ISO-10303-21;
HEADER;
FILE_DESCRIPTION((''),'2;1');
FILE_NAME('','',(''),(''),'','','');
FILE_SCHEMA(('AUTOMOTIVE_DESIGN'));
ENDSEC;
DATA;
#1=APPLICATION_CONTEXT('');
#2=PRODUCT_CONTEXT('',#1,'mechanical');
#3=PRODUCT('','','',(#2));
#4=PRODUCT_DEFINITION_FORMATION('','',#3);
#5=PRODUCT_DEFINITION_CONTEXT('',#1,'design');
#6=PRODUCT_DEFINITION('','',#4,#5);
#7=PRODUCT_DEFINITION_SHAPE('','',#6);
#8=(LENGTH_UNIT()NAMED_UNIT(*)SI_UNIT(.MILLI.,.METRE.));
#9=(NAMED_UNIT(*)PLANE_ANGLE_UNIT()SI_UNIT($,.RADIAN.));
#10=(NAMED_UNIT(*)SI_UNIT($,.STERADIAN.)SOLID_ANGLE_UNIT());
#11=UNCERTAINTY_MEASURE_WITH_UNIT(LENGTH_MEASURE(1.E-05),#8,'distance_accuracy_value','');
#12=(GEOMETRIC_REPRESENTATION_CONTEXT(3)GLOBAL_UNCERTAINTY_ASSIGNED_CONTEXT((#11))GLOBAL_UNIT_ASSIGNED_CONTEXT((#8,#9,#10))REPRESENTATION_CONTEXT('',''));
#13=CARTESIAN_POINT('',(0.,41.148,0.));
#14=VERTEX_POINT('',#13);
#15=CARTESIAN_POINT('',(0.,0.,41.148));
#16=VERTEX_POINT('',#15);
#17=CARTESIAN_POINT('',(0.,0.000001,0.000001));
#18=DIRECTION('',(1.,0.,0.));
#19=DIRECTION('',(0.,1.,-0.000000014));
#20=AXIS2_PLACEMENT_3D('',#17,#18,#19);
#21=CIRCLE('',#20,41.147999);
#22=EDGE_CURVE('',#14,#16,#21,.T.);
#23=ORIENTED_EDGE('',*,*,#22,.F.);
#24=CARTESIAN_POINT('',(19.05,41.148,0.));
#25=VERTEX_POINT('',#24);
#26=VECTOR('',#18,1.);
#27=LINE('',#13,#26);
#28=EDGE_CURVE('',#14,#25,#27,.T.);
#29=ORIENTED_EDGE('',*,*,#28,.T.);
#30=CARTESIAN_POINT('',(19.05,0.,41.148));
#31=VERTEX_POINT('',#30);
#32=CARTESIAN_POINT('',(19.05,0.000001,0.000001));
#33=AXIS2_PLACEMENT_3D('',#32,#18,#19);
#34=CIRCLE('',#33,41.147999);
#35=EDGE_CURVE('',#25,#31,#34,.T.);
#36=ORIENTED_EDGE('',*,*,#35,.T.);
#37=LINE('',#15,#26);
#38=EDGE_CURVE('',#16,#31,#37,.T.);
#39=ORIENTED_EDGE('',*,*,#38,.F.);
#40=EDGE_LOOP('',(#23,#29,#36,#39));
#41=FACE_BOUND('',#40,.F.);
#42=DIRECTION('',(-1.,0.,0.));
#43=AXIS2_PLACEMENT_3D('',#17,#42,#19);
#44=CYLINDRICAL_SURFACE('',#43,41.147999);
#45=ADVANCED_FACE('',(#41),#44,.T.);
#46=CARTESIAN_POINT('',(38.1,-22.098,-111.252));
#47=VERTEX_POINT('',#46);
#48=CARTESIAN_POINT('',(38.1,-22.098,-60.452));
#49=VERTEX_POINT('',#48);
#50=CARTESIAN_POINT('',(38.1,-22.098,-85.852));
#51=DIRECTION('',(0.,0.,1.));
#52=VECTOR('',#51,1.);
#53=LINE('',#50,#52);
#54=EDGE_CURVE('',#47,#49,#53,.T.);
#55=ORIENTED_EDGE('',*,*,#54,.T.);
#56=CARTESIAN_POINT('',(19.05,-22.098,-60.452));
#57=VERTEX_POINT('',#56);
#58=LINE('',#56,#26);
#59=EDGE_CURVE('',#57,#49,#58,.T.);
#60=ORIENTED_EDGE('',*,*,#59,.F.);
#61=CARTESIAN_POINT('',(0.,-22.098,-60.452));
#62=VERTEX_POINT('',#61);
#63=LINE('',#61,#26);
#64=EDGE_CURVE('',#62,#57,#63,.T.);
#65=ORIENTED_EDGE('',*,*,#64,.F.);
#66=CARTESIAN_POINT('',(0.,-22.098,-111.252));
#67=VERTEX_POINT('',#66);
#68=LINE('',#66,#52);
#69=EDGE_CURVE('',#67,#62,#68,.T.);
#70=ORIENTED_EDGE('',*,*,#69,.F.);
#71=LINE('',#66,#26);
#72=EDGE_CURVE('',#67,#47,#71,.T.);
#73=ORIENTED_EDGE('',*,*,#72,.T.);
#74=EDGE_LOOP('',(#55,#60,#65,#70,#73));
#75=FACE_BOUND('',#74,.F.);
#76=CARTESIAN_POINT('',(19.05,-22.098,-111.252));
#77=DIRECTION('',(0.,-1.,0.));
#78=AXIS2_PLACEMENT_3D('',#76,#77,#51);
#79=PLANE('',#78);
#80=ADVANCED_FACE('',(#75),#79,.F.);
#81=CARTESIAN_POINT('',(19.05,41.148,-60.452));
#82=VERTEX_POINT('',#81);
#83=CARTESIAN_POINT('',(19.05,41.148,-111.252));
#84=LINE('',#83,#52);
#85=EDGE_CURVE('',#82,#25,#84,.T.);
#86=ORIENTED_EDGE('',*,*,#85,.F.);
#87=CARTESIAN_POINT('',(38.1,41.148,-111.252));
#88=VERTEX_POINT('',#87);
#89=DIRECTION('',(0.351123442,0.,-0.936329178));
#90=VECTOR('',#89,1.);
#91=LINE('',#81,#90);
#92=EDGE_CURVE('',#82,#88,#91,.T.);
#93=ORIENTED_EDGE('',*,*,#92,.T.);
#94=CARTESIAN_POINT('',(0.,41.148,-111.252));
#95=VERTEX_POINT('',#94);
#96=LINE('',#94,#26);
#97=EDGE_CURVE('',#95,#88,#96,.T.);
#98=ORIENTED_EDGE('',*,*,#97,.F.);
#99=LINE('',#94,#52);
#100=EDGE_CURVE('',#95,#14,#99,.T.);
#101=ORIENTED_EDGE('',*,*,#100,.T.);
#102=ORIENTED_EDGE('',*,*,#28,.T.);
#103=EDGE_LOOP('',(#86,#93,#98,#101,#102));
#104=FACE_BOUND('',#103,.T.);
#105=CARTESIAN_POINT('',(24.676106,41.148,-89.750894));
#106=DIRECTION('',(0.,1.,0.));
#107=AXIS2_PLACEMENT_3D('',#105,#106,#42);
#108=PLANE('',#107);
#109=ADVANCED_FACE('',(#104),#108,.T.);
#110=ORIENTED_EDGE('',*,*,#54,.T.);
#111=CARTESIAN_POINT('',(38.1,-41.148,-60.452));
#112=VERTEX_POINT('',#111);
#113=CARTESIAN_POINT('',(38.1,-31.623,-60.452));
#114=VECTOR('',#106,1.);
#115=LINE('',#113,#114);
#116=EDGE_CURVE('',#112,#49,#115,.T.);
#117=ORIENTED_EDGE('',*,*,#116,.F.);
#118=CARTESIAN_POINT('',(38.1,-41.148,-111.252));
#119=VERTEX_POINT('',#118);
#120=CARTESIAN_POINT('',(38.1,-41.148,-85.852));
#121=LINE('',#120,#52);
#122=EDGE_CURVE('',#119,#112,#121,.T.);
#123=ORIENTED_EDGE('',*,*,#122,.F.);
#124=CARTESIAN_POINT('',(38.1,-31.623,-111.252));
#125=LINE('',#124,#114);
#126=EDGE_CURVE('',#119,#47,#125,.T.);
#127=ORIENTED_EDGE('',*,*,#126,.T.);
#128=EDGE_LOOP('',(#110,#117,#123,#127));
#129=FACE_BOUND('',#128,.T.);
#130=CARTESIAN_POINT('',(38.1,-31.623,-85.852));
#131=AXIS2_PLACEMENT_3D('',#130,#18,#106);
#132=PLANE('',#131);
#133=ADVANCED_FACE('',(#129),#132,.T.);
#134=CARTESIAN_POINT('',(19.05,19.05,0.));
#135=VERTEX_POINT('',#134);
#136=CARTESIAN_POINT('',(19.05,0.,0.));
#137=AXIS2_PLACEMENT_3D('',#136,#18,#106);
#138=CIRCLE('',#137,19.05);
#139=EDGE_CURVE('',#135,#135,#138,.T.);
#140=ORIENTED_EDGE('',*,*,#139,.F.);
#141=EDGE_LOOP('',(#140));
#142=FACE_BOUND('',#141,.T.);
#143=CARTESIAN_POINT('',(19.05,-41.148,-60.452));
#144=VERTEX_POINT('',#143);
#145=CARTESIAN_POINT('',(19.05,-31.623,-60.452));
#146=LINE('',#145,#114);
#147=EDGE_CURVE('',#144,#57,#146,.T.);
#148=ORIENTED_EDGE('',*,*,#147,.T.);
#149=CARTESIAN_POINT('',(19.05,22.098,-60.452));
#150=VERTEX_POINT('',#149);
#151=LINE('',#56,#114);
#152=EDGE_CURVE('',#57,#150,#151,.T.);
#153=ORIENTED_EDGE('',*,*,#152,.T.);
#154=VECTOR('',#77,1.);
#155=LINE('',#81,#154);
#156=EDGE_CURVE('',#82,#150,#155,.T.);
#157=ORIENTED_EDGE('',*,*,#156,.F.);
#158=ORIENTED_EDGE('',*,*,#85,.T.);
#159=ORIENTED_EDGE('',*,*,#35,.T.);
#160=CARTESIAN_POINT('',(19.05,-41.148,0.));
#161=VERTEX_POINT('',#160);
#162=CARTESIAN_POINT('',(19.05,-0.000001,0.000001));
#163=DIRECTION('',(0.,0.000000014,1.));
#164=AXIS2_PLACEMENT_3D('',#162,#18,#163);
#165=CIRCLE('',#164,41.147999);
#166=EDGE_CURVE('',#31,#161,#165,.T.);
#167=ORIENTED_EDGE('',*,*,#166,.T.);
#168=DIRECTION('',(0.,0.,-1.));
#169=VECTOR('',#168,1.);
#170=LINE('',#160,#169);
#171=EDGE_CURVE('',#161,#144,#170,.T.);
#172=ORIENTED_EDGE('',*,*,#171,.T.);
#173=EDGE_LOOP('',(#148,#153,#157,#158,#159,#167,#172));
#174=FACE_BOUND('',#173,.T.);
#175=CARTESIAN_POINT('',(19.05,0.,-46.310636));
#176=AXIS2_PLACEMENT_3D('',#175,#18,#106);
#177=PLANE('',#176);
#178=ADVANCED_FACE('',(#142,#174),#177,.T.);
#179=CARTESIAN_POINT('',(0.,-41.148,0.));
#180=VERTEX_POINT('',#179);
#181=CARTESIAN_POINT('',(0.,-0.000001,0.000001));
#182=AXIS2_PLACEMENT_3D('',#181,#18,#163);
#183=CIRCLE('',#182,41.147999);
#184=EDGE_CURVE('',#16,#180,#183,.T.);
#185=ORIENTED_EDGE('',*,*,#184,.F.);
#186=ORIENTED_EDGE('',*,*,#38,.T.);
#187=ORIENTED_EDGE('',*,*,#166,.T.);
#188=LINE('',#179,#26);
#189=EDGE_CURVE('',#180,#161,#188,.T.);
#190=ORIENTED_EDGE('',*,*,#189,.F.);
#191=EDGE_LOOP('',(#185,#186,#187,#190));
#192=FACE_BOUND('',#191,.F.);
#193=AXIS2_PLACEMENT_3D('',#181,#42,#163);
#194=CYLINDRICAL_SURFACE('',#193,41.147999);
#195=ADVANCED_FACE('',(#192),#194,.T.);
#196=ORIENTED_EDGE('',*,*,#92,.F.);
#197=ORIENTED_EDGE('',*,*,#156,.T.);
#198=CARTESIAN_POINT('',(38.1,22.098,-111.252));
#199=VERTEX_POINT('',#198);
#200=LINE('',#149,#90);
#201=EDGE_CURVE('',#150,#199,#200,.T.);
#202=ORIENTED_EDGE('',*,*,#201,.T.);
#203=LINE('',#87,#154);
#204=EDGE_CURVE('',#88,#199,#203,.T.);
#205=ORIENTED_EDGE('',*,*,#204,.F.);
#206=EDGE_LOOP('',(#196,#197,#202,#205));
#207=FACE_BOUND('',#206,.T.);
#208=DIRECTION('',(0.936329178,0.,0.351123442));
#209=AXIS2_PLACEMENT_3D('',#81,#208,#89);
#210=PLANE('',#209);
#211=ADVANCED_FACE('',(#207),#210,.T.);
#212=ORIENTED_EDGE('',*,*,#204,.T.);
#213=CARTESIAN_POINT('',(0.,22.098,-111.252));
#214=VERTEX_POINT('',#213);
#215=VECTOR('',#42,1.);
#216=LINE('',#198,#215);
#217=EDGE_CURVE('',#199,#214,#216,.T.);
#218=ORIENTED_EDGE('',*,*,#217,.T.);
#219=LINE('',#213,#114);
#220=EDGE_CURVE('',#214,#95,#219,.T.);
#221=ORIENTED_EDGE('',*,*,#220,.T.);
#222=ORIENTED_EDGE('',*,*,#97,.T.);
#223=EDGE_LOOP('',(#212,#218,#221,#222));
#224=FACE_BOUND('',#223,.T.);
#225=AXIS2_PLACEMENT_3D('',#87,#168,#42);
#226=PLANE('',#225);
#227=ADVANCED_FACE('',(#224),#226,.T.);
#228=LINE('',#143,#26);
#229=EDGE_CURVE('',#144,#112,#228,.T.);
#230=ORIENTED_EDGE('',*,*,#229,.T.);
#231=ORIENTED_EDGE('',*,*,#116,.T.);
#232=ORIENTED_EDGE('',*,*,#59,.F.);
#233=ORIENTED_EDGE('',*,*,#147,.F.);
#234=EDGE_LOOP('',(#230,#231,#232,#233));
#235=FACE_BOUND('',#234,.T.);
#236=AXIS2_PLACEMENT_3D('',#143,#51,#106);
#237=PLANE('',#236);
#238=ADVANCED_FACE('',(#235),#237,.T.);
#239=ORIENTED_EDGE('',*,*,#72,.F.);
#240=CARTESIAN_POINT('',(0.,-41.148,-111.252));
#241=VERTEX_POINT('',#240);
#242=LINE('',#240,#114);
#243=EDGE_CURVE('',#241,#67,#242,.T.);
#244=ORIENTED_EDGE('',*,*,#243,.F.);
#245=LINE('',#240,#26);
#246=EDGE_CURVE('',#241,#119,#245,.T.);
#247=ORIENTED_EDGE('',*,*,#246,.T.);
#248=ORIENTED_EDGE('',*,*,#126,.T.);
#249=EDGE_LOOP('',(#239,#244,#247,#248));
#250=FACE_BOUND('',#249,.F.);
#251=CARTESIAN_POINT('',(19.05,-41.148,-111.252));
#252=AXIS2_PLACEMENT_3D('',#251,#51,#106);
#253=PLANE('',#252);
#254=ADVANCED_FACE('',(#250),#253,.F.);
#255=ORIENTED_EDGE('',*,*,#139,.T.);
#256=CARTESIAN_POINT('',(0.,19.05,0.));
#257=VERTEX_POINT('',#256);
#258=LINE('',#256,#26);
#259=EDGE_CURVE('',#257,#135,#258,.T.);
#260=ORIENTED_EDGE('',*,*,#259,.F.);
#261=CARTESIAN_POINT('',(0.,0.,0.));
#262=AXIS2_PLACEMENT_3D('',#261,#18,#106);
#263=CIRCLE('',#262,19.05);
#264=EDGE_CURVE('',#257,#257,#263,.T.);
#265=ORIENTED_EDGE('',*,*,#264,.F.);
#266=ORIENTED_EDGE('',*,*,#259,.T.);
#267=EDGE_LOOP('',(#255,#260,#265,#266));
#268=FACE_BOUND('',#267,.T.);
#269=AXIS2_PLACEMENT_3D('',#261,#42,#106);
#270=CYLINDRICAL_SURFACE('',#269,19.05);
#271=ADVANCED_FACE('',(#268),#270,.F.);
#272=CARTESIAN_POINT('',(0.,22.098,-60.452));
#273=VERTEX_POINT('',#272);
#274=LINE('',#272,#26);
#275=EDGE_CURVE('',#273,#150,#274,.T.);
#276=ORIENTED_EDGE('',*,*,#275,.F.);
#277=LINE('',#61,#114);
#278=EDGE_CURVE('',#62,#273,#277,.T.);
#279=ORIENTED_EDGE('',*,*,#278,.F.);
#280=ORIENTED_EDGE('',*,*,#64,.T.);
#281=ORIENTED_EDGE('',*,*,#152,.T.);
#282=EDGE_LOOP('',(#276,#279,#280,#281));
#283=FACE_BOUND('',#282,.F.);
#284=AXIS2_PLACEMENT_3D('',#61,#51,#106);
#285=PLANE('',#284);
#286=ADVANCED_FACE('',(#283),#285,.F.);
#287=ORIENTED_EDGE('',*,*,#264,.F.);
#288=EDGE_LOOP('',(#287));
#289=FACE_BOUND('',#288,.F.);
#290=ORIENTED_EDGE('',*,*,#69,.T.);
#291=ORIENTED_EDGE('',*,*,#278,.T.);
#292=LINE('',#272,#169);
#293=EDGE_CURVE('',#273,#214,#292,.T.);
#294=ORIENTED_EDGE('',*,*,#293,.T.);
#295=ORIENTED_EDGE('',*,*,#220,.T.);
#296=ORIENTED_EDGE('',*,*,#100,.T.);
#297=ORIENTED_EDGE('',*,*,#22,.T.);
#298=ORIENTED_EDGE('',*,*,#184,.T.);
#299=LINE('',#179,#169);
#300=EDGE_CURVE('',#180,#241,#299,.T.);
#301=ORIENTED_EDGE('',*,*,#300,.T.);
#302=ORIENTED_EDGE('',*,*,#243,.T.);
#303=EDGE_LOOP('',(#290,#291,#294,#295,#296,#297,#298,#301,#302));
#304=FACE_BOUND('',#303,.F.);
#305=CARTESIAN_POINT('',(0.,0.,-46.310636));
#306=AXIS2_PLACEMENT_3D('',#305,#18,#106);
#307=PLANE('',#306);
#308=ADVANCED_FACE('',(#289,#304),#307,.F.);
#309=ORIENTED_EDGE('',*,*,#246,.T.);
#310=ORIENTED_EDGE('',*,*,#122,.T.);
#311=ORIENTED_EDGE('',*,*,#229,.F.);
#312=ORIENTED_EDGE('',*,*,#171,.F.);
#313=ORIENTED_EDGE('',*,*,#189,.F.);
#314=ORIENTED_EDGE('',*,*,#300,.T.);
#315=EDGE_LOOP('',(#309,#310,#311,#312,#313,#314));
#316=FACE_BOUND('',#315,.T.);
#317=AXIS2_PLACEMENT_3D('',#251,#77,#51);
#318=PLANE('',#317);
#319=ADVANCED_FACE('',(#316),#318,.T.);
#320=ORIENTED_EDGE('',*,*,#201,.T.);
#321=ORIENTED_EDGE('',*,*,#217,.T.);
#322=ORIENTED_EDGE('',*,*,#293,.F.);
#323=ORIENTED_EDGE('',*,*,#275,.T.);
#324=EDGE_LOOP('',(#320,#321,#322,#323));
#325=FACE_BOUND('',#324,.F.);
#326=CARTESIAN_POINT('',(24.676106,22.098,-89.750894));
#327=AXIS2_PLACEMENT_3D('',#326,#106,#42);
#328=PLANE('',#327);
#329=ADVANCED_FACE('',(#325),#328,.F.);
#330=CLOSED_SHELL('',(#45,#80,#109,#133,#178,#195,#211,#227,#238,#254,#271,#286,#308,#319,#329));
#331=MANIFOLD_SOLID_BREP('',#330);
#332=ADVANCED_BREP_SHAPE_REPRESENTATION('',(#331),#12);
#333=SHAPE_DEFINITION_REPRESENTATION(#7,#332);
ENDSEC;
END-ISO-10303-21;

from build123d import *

# Parameters (mm, degrees)
F0_R     = 19.05
F1_DEPTH = 19.05
F2_W     = 19.05
F2_H     = 50.8
F3_DEPTH = 19.05
F5_DEPTH = 19.05


with BuildPart() as f1:
    # F0 (on Right) → F1 (new body)
    with BuildSketch(Plane.YZ):
        with BuildLine():
            ThreePointArc((0, 41.148), (-29.09603, 29.09603), (-41.148, 0))
            Line((-41.148, 0), (-41.148, -111.252))
            Line((-41.148, -111.252), (-22.098, -111.252))
            Line((-22.098, -111.252), (-22.098, -60.452))
            Line((-22.098, -60.452), (22.098, -60.452))
            Line((22.098, -60.452), (22.098, -111.252))
            Line((22.098, -111.252), (41.148, -111.252))
            Line((41.148, -111.252), (41.148, 0))
            ThreePointArc((41.148, 0), (29.09603, 29.09603), (0, 41.148))
        make_face()
        Circle(F0_R, mode=Mode.SUBTRACT)
    extrude(amount=F1_DEPTH)

    # F2 (on face) → F3 (join)
    with BuildSketch(Plane.YZ.offset(19.05)):
        with Locations((-31.623, -85.852)):
            Rectangle(F2_W, F2_H)
    extrude(amount=F3_DEPTH)

    # F4 (on face) → F5 (join)
    with BuildSketch(Plane(origin=(0, 41.148, 0), x_dir=(-1, 0, 0), z_dir=(0, 1, 0))):
        Polygon((-19.05, -60.452), (-38.1, -111.252), (-19.05, -111.252), align=None)
    extrude(amount=-F5_DEPTH)


solid = f1.part
